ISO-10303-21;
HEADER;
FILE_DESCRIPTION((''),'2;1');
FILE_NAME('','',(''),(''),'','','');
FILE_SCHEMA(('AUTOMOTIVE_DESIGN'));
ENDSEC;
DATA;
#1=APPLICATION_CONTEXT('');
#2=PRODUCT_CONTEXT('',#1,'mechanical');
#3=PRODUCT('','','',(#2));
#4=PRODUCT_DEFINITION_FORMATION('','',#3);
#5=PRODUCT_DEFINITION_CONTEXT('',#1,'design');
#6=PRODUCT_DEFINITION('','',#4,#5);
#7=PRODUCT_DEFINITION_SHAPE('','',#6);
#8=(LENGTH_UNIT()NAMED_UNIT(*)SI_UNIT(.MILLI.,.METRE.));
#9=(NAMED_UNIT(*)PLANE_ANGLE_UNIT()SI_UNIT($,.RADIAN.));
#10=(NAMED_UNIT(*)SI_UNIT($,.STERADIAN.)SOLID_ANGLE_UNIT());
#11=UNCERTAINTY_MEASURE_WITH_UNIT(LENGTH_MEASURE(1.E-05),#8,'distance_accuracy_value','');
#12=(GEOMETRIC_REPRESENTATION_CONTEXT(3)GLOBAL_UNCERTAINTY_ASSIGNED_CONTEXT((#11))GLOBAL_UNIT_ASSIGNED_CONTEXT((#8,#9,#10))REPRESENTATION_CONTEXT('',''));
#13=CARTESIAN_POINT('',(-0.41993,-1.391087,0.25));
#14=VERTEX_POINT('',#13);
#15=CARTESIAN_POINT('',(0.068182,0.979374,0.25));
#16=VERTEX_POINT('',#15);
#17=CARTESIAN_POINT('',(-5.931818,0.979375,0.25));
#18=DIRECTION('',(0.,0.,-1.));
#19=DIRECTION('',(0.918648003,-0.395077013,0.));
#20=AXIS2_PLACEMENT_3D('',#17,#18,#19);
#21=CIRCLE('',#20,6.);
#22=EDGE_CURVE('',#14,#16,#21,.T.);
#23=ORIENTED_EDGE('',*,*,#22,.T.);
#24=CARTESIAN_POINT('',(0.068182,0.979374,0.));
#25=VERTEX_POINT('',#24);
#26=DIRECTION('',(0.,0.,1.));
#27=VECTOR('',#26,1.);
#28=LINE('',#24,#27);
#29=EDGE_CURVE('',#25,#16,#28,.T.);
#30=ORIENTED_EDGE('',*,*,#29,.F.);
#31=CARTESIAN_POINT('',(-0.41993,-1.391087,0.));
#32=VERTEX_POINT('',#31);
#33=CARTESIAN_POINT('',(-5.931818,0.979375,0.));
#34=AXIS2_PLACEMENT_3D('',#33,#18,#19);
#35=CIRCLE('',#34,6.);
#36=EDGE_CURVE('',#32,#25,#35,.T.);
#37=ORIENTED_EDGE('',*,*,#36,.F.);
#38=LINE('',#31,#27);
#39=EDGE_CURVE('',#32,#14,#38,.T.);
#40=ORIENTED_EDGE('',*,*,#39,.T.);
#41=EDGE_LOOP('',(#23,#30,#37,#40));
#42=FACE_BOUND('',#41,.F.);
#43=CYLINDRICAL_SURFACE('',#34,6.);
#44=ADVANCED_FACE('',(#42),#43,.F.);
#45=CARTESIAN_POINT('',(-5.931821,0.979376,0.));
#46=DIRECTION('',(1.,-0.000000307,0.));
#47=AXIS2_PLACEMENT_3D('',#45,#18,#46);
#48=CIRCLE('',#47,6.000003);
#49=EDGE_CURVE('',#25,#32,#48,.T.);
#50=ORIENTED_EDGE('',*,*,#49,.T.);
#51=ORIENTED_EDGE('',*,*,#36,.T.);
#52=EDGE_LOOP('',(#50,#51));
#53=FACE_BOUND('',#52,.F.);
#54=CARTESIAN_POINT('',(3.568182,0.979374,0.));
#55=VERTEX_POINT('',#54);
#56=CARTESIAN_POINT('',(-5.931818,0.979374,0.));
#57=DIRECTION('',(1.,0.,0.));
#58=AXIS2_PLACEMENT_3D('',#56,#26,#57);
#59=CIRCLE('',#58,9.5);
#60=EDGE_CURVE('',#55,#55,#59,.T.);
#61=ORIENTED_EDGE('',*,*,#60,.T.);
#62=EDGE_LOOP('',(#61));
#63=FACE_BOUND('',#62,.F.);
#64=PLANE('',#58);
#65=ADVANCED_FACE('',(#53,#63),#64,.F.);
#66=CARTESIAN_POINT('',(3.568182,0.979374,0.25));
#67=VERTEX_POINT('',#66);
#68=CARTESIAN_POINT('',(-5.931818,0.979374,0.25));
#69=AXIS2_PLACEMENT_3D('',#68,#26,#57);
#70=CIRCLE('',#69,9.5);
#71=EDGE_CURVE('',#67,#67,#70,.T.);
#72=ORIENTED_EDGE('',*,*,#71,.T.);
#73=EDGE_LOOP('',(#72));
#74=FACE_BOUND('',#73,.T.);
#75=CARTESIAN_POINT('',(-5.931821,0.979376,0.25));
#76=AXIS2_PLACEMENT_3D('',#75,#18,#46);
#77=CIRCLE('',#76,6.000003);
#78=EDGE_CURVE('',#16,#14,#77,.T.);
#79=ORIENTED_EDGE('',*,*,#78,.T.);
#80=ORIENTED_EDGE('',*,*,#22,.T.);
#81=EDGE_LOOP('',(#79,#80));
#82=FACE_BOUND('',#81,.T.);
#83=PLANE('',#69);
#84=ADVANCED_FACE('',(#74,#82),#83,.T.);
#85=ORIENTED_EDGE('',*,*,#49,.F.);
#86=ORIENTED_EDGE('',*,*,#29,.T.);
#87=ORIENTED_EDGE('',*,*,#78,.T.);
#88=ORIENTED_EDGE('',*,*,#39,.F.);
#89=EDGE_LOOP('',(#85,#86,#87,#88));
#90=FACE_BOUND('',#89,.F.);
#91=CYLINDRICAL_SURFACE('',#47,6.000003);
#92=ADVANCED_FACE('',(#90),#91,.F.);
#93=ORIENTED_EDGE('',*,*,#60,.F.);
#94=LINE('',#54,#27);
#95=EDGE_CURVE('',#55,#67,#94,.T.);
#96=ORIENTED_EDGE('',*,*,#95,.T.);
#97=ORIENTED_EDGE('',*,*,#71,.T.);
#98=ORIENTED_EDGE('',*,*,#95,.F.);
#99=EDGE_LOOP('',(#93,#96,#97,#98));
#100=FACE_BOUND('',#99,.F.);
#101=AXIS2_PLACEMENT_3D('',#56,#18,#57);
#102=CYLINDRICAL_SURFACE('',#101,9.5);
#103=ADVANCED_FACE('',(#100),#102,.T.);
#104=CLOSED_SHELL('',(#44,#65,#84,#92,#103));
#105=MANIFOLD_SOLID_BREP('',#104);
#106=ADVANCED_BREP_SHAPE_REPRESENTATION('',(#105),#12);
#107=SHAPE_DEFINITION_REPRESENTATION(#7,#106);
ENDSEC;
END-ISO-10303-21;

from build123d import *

# Parameters (mm, degrees)
F0_R     = 9.5
F1_DEPTH = 0.25


with BuildPart() as f1:
    # F0 (on Top) → F1 (new body)
    with BuildSketch(Plane.XY):
        with Locations((-5.931818, 0.979374)):
            Circle(F0_R)
        with BuildLine():
            ThreePointArc((-0.41993, -1.391087), (-11.808524, 2.189471), (0.068182, 0.979374))
            Line((0.068182, 0.979374), (0.068182, -1.391087))
            Line((0.068182, -1.391087), (-0.41993, -1.391087))
        make_face(mode=Mode.SUBTRACT)
        with BuildLine():
            Line((0.068182, -1.391087), (0.068182, 0.979374))
            ThreePointArc((0.068182, 0.979374), (-0.055113, -0.230723), (-0.41993, -1.391087))
            Line((-0.41993, -1.391087), (0.068182, -1.391087))
        make_face()
    extrude(amount=F1_DEPTH)


solid = f1.part
